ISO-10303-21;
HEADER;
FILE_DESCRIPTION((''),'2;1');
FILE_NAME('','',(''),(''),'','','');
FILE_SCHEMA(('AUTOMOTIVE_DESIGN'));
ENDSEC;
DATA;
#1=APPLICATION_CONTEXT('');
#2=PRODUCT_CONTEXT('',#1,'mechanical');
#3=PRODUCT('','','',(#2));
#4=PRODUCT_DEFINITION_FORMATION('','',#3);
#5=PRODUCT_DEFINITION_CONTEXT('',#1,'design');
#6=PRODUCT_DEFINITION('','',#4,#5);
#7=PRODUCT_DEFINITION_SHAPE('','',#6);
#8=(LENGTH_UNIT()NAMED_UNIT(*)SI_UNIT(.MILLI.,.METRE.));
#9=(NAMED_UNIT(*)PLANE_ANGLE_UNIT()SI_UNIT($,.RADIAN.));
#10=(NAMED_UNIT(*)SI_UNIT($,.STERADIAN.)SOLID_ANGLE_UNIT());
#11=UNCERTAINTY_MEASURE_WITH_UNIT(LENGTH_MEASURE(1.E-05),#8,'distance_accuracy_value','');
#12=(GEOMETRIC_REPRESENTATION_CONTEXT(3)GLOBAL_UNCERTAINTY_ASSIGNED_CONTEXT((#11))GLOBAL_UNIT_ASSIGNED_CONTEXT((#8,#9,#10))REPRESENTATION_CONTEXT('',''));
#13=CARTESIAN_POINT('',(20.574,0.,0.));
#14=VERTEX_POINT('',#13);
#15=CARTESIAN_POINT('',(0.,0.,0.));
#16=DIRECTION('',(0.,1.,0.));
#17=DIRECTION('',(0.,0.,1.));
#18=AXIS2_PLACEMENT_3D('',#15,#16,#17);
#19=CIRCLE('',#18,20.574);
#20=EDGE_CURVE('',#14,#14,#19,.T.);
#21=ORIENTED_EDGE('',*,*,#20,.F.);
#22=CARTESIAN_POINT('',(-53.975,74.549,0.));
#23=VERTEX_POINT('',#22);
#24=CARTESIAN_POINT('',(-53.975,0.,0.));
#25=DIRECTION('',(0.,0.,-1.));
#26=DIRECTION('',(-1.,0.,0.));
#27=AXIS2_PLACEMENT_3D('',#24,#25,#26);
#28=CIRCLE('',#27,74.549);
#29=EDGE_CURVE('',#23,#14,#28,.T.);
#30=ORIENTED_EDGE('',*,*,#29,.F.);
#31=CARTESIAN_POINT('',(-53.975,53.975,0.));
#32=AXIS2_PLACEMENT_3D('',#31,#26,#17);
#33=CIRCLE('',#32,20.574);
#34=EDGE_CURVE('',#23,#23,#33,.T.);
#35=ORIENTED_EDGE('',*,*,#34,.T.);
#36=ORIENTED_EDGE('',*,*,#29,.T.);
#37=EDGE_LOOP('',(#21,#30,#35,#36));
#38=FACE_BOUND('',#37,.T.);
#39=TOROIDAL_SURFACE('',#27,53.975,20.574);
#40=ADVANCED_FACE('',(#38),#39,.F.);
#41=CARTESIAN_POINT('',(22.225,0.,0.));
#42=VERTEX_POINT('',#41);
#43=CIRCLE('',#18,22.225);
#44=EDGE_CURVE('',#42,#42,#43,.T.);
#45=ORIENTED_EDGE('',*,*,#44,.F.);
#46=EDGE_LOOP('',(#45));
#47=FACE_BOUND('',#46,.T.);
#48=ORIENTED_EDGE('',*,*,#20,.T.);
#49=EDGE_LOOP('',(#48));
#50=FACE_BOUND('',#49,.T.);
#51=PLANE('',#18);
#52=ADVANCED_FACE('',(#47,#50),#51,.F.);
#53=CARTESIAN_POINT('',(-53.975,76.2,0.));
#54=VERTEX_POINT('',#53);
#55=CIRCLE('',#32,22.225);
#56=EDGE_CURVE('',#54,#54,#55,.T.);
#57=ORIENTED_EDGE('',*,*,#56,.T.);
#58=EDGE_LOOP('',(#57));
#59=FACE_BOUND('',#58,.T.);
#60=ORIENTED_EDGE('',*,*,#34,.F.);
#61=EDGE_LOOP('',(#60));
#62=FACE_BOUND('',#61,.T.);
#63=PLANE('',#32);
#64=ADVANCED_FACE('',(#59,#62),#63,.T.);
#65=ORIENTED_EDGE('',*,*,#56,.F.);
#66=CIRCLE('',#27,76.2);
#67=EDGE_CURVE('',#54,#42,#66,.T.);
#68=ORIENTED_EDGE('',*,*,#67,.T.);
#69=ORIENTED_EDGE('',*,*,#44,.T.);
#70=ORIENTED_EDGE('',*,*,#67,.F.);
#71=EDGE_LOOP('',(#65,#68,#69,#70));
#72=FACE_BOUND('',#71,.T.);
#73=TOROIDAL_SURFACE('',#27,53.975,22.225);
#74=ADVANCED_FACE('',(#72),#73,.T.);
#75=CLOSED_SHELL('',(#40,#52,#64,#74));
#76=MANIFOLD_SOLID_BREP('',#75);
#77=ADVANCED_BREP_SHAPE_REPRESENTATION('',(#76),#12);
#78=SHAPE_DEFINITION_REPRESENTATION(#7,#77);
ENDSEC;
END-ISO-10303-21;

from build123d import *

# Parameters (mm, degrees)
SKETCH1_R   = 22.225
SKETCH1_R_2 = 20.574


with BuildPart() as part:
    # Sweep1: sweep along a curve in space
    with BuildLine() as sweep1_path:
        ThreePointArc((22.225, 0, 0), (-0.093463274, 53.881536726, 0), (-53.975, 76.2, 0))
    # Sketch1 → Sweep1 (sweep)
    with BuildSketch(Plane(origin=(0, 0, 0), x_dir=(1, 0, 0), z_dir=(0, 1, 0))):
        Circle(SKETCH1_R)
        Circle(SKETCH1_R_2, mode=Mode.SUBTRACT)
    sweep(path=sweep1_path.line)


solid = part.part
